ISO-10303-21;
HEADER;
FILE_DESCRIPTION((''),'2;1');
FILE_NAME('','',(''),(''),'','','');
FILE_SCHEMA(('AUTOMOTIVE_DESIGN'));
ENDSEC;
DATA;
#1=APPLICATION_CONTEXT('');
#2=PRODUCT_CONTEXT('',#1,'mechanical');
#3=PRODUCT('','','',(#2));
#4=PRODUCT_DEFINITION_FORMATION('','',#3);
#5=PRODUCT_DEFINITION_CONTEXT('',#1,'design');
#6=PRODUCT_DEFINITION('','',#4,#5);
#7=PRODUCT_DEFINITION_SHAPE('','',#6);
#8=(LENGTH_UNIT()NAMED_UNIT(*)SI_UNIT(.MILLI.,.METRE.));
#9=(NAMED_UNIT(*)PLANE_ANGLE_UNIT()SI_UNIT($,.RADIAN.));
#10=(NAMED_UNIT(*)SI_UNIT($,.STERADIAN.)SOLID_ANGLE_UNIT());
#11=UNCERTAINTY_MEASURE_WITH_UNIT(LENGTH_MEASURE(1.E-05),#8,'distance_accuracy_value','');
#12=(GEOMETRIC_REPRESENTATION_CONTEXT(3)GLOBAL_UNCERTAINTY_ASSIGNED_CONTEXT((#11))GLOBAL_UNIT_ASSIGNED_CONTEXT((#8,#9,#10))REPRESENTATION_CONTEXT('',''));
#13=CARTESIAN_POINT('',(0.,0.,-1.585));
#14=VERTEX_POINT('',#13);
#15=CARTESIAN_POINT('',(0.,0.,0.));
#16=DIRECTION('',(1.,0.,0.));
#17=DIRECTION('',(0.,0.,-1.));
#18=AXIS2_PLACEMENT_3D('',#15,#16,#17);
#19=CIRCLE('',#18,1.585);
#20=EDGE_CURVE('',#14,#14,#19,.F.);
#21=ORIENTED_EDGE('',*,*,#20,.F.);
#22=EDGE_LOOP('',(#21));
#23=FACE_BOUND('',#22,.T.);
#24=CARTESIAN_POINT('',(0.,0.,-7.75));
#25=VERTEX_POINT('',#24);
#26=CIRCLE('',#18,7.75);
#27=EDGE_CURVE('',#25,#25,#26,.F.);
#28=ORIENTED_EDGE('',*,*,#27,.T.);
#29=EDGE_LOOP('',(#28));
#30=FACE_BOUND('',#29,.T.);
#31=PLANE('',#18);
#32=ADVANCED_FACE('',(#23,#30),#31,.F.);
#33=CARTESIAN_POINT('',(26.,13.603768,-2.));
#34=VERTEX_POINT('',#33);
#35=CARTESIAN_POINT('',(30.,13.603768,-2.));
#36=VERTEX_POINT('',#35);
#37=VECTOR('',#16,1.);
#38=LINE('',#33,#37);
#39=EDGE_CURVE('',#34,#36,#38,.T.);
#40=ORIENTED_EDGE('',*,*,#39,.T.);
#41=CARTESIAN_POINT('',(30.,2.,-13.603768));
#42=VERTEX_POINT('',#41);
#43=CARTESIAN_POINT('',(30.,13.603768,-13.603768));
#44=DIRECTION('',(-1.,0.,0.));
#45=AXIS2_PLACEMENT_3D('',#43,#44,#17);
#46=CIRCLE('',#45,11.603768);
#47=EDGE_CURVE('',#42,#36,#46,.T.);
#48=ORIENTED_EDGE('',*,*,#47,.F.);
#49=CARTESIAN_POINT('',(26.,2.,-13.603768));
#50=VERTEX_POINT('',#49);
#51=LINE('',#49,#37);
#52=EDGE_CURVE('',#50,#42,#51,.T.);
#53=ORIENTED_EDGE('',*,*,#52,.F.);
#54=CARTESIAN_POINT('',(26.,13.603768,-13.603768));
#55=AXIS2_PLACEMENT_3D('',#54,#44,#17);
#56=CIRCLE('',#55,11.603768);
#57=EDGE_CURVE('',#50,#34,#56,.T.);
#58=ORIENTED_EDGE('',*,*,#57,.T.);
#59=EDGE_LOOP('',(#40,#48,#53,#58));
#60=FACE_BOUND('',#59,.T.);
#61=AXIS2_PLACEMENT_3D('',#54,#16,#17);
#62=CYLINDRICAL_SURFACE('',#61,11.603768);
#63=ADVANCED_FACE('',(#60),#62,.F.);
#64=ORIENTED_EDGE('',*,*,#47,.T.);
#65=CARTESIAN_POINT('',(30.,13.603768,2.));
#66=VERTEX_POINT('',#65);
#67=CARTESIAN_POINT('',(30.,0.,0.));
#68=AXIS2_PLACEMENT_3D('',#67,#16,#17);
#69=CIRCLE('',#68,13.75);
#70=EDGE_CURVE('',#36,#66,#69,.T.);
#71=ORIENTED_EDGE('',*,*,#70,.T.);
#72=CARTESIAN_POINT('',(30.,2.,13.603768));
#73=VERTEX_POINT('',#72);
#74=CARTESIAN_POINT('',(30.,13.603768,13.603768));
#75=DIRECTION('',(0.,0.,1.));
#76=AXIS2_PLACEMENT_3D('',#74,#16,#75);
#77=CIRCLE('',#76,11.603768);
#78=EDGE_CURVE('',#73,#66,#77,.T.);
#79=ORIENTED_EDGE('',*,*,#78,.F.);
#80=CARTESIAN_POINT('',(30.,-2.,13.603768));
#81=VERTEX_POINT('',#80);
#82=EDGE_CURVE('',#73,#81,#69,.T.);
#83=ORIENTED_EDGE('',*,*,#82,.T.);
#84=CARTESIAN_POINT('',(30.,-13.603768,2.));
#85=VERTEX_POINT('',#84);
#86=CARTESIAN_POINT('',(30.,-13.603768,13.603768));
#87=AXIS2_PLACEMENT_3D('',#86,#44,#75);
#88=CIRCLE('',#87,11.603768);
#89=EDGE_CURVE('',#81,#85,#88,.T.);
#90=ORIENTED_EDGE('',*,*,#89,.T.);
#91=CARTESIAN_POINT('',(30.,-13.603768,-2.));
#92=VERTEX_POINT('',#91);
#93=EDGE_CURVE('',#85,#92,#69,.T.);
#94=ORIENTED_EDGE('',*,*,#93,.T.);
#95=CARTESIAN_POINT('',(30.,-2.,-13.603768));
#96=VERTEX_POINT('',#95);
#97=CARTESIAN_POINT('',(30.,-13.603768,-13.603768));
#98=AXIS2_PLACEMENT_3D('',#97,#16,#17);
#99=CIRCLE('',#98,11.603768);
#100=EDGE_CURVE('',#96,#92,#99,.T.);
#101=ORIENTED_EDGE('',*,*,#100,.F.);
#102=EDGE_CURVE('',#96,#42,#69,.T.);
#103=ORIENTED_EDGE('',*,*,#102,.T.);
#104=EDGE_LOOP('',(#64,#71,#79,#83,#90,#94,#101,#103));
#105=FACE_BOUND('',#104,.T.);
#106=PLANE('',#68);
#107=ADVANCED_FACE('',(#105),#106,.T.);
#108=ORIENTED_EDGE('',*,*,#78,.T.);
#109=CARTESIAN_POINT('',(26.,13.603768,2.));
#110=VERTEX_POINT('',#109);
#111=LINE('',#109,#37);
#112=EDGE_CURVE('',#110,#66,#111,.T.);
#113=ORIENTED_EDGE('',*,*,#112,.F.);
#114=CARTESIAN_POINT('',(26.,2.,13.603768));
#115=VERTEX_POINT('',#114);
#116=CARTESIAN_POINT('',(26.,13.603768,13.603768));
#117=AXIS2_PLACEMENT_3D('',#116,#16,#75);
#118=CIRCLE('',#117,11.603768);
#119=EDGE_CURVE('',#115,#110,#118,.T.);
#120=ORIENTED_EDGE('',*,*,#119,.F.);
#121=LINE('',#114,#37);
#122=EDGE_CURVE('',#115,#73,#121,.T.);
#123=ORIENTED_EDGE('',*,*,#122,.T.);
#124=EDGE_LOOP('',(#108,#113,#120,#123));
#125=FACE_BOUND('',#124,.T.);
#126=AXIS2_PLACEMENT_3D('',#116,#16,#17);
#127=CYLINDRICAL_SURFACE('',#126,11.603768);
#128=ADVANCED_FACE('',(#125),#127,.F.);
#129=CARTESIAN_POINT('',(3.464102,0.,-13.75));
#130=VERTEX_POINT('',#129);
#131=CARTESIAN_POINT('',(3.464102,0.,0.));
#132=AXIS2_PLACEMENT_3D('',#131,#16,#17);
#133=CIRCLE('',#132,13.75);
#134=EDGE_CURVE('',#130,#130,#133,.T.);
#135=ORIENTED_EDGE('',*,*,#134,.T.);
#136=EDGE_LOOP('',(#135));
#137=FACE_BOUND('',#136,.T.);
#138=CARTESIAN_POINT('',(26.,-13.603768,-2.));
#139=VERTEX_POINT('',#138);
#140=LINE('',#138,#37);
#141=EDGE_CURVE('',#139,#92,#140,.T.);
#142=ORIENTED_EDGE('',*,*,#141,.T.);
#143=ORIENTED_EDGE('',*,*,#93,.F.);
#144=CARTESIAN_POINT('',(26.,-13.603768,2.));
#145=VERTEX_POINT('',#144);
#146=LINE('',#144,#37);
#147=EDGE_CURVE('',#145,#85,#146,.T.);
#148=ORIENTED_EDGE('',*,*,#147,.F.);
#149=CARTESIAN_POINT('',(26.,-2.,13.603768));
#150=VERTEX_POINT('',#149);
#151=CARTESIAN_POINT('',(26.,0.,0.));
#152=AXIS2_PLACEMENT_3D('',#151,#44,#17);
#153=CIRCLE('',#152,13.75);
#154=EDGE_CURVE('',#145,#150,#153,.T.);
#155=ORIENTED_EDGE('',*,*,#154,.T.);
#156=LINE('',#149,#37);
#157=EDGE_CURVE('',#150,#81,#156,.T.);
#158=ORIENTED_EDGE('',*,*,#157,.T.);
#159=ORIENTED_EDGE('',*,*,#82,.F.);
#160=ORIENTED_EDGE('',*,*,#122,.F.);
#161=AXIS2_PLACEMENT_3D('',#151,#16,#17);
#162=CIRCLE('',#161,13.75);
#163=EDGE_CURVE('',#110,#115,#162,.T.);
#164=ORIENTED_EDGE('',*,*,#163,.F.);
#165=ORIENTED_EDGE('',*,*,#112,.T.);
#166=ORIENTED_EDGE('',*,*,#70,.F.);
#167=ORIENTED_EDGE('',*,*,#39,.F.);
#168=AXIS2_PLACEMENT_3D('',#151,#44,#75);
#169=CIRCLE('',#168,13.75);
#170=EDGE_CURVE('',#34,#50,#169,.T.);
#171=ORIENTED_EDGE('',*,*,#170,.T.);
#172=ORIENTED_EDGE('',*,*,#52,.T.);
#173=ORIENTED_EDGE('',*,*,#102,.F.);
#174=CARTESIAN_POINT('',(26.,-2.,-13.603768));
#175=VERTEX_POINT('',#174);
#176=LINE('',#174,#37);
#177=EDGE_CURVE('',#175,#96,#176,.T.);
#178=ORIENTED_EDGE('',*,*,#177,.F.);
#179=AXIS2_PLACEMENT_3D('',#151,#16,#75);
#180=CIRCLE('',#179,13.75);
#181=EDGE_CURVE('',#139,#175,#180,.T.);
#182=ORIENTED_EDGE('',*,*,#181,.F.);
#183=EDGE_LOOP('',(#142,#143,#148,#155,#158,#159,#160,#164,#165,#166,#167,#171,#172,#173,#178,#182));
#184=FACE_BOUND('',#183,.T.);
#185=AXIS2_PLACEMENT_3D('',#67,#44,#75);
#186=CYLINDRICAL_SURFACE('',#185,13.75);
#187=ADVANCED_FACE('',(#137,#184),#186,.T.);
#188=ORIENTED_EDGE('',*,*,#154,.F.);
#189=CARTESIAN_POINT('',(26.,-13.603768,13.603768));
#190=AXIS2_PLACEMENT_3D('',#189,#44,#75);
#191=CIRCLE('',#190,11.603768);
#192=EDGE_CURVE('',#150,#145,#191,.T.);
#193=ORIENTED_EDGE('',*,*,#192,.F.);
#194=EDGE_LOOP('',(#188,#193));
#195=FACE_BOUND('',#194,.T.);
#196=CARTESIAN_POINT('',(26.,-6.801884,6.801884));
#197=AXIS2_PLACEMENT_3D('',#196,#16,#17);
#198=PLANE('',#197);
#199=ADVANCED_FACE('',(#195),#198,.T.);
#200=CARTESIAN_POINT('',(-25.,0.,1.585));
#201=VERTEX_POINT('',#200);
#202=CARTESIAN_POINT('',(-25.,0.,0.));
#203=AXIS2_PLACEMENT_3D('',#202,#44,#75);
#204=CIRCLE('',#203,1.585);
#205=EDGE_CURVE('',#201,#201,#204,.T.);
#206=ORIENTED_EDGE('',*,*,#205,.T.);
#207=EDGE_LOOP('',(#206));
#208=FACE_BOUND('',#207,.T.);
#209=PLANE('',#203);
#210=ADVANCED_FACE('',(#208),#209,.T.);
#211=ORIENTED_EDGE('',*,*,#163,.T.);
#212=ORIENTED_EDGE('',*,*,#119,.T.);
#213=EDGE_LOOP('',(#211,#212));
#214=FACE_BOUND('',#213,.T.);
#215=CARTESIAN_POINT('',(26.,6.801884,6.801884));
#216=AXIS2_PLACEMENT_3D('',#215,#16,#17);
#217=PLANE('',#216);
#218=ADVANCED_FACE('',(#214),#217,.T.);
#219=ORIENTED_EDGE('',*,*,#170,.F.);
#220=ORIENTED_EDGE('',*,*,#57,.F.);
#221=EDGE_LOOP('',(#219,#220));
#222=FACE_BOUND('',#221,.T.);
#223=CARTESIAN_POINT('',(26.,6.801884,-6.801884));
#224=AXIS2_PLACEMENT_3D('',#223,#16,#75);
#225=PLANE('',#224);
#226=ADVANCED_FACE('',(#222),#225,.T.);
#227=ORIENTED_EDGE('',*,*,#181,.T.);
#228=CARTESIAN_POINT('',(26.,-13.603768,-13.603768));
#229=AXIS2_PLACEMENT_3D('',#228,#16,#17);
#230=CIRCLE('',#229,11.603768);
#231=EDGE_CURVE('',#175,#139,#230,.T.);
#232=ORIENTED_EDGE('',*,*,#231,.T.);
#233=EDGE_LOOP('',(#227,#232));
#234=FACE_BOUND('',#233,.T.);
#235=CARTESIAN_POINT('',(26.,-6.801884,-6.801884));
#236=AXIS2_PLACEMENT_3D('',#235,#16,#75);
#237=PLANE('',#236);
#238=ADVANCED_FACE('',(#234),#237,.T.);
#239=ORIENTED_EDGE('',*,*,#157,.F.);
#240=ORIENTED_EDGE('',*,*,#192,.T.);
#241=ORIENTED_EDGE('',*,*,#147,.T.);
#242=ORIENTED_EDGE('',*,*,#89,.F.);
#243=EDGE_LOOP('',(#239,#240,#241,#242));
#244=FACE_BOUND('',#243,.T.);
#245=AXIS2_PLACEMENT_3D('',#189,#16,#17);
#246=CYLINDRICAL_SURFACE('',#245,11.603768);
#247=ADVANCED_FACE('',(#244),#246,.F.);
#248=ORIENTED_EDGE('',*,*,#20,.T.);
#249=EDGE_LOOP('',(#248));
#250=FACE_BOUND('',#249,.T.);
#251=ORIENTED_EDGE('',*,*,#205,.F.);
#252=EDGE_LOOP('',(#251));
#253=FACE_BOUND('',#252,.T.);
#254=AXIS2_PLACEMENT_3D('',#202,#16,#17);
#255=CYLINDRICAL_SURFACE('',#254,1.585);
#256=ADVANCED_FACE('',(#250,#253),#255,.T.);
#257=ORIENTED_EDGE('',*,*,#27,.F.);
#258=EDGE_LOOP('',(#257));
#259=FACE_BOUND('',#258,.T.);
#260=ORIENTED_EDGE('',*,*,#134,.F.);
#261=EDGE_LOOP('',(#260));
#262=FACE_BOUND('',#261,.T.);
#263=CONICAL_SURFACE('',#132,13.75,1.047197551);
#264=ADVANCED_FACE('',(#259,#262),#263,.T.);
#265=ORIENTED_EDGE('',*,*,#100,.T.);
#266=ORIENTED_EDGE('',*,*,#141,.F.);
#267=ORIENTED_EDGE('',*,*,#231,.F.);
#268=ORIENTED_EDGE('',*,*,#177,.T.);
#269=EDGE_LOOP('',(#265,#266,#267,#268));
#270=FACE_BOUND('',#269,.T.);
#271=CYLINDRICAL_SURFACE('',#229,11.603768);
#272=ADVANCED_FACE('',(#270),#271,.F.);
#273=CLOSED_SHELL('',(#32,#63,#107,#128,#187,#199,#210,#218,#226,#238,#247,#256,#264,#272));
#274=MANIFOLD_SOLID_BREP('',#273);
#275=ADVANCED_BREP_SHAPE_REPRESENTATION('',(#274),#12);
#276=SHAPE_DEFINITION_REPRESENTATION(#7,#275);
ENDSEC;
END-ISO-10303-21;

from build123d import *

# Parameters (mm, degrees)
SKETCH1_R            = 13.75
BOSS_EXTRUDE1_DEPTH  = 30
SKETCH2_R            = 1.585
BOSS_EXTRUDE2_DEPTH  = 25
CHAMFER1_SIZE        = 6
CHAMFER1_SIZE2       = 3.464101615
CUT_EXTRUDE1_START   = -4
CUT_EXTRUDE1_DEPTH   = 4
MIRROR2_START        = -4
MIRROR2_COPY_1_DEPTH = 4


with BuildPart() as part:
    # Sketch1 → Boss-Extrude1 (new body)
    with BuildSketch(Plane(origin=(0, 0, 0), x_dir=(0, 0, -1), z_dir=(1, 0, 0))):
        Circle(SKETCH1_R)
    extrude(amount=BOSS_EXTRUDE1_DEPTH)

    # Sketch2 → Boss-Extrude2 (add)
    with BuildSketch(Plane.ZY):
        with Locations(Location((0, 0, 0), (0, 0, 180))):
            Circle(SKETCH2_R)
    extrude(amount=BOSS_EXTRUDE2_DEPTH)

    # Chamfer1
    chamfer1_edges = [part.edges().sort_by_distance(p)[0] for p in [
        (0, 0, 13.75),
    ]]
    chamfer1_side = [part.faces().sort_by_distance(p)[0] for p in [
        (0, 0, 13.36109127),
    ]]
    chamfer(chamfer1_edges, length=CHAMFER1_SIZE, length2=CHAMFER1_SIZE2, reference=chamfer1_side[0])

    # Sketch3 → Cut-Extrude1 (cut)
    with BuildSketch(Plane(origin=(30, 0, 0), x_dir=(0, 0, -1), z_dir=(1, 0, 0)).offset(CUT_EXTRUDE1_START)):
        with BuildLine():
            ThreePointArc((-2, 13.60376786), (-5.398664919, 5.398664919), (-13.60376786, 2))
            ThreePointArc((-13.60376786, 2), (-9.722718241, 9.722718241), (-2, 13.60376786))
        make_face()
    cut_extrude1 = extrude(amount=CUT_EXTRUDE1_DEPTH, mode=Mode.SUBTRACT)

    # Mirror1: Cut-Extrude1 across plane
    add(cut_extrude1.mirror(Plane.XY), mode=Mode.SUBTRACT)

    # Mirror2: Cut-Extrude1 across plane
    add(cut_extrude1.mirror(Plane.ZX), mode=Mode.SUBTRACT)

    # Mirror2 copy 1 sketch → Mirror2 copy 1 (cut)
    with BuildSketch(Plane(origin=(30, 0, 0), x_dir=(0, 0, 1), z_dir=(1, 0, 0)).offset(MIRROR2_START)):
        with BuildLine():
            ThreePointArc((-2, 13.60376786), (-5.398664919, 5.398664919), (-13.60376786, 2))
            ThreePointArc((-13.60376786, 2), (-9.722718241, 9.722718241), (-2, 13.60376786))
        make_face()
    extrude(amount=MIRROR2_COPY_1_DEPTH, mode=Mode.SUBTRACT)


solid = part.part
